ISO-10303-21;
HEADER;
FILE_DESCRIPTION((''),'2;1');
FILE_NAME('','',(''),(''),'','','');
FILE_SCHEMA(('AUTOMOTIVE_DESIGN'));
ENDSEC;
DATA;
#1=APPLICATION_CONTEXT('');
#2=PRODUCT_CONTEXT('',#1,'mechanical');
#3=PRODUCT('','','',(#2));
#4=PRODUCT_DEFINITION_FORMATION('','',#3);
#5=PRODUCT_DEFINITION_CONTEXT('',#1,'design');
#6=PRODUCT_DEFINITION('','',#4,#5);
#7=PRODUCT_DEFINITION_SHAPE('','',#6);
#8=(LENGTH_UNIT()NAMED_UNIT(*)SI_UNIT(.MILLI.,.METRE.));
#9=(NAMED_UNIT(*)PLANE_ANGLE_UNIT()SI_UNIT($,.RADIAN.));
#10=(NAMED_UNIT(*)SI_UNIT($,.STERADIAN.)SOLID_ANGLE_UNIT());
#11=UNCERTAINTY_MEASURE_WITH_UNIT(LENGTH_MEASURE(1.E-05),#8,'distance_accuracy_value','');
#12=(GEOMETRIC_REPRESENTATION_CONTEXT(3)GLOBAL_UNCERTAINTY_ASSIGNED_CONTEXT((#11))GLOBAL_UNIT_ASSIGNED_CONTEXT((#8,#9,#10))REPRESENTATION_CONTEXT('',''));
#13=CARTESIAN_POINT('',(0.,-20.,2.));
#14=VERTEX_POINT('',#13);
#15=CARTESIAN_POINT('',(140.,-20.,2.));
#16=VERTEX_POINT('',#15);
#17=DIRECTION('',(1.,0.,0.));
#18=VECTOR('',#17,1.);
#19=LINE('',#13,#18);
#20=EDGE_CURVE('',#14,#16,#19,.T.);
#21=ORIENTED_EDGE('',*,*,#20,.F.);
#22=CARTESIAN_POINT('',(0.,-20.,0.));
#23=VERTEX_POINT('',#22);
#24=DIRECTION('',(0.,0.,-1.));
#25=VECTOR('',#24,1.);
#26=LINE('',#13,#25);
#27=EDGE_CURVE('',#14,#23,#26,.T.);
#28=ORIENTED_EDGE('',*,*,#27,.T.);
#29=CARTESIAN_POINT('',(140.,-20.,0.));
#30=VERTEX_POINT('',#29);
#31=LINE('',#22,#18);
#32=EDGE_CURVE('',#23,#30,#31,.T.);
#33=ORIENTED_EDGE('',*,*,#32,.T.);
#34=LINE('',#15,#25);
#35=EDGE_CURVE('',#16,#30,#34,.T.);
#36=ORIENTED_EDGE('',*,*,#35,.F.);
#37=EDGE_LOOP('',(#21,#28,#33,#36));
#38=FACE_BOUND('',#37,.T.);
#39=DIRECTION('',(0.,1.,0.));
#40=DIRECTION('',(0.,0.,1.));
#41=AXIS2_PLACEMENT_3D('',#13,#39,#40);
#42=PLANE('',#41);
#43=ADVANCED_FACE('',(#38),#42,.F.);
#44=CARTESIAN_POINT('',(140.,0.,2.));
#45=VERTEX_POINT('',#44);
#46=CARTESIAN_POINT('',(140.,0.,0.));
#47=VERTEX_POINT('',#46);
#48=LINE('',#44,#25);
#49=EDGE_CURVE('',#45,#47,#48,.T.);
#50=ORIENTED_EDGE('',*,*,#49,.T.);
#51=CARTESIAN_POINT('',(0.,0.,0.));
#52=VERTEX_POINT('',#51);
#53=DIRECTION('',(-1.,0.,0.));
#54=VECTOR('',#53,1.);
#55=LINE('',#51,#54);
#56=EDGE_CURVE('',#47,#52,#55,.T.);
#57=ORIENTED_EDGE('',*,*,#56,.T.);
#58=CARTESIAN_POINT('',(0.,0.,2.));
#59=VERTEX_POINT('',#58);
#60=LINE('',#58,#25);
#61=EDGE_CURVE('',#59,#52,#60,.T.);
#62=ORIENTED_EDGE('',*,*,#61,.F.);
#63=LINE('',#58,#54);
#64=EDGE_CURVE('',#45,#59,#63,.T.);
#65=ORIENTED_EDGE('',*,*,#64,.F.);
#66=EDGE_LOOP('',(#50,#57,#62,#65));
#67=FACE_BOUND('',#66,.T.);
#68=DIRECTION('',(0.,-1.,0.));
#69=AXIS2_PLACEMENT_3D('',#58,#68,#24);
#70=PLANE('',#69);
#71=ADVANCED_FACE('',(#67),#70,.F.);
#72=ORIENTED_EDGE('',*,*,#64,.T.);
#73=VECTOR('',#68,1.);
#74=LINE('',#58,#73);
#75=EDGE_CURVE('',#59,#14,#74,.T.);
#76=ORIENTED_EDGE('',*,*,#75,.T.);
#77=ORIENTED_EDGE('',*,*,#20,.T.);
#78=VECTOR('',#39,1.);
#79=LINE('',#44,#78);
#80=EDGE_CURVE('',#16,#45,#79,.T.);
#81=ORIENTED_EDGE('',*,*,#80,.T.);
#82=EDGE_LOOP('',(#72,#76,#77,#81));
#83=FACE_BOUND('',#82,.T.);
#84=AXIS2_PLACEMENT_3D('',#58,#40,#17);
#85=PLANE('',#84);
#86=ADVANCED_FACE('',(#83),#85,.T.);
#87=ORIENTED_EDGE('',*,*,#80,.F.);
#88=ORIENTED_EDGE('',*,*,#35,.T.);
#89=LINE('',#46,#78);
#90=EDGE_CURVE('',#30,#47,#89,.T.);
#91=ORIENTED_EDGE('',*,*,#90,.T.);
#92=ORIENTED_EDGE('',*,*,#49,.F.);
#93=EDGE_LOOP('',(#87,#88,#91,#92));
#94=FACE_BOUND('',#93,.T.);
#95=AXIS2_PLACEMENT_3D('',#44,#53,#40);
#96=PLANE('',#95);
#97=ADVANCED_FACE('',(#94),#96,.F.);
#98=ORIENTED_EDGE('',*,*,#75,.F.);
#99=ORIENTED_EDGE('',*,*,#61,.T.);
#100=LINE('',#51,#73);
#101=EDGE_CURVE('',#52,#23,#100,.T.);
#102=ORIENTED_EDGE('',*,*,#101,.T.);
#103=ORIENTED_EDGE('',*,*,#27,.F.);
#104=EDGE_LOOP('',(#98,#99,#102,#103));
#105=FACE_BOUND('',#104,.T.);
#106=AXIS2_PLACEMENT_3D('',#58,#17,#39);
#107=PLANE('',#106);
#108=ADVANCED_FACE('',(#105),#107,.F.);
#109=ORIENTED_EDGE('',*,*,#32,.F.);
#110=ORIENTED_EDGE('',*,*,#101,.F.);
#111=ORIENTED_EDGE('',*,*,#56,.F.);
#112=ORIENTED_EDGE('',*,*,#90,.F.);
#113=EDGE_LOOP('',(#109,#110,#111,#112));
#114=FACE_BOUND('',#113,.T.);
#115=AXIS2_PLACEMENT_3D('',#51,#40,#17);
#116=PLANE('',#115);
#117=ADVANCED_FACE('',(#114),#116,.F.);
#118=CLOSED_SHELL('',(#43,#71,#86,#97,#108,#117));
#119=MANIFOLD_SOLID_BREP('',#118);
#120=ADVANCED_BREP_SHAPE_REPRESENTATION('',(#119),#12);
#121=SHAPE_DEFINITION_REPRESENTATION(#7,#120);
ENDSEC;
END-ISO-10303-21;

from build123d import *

# Parameters (mm, degrees)
SKETCH_1_W      = 140
SKETCH_1_H      = 20
EXTRUDE_1_DEPTH = 2


with BuildPart() as part:
    # Эскиз1 → Бобышка-Вытянуть1 (new body)
    with BuildSketch(Plane.XY):
        with Locations((70, -10)):
            Rectangle(SKETCH_1_W, SKETCH_1_H)
    extrude(amount=EXTRUDE_1_DEPTH)


solid = part.part
